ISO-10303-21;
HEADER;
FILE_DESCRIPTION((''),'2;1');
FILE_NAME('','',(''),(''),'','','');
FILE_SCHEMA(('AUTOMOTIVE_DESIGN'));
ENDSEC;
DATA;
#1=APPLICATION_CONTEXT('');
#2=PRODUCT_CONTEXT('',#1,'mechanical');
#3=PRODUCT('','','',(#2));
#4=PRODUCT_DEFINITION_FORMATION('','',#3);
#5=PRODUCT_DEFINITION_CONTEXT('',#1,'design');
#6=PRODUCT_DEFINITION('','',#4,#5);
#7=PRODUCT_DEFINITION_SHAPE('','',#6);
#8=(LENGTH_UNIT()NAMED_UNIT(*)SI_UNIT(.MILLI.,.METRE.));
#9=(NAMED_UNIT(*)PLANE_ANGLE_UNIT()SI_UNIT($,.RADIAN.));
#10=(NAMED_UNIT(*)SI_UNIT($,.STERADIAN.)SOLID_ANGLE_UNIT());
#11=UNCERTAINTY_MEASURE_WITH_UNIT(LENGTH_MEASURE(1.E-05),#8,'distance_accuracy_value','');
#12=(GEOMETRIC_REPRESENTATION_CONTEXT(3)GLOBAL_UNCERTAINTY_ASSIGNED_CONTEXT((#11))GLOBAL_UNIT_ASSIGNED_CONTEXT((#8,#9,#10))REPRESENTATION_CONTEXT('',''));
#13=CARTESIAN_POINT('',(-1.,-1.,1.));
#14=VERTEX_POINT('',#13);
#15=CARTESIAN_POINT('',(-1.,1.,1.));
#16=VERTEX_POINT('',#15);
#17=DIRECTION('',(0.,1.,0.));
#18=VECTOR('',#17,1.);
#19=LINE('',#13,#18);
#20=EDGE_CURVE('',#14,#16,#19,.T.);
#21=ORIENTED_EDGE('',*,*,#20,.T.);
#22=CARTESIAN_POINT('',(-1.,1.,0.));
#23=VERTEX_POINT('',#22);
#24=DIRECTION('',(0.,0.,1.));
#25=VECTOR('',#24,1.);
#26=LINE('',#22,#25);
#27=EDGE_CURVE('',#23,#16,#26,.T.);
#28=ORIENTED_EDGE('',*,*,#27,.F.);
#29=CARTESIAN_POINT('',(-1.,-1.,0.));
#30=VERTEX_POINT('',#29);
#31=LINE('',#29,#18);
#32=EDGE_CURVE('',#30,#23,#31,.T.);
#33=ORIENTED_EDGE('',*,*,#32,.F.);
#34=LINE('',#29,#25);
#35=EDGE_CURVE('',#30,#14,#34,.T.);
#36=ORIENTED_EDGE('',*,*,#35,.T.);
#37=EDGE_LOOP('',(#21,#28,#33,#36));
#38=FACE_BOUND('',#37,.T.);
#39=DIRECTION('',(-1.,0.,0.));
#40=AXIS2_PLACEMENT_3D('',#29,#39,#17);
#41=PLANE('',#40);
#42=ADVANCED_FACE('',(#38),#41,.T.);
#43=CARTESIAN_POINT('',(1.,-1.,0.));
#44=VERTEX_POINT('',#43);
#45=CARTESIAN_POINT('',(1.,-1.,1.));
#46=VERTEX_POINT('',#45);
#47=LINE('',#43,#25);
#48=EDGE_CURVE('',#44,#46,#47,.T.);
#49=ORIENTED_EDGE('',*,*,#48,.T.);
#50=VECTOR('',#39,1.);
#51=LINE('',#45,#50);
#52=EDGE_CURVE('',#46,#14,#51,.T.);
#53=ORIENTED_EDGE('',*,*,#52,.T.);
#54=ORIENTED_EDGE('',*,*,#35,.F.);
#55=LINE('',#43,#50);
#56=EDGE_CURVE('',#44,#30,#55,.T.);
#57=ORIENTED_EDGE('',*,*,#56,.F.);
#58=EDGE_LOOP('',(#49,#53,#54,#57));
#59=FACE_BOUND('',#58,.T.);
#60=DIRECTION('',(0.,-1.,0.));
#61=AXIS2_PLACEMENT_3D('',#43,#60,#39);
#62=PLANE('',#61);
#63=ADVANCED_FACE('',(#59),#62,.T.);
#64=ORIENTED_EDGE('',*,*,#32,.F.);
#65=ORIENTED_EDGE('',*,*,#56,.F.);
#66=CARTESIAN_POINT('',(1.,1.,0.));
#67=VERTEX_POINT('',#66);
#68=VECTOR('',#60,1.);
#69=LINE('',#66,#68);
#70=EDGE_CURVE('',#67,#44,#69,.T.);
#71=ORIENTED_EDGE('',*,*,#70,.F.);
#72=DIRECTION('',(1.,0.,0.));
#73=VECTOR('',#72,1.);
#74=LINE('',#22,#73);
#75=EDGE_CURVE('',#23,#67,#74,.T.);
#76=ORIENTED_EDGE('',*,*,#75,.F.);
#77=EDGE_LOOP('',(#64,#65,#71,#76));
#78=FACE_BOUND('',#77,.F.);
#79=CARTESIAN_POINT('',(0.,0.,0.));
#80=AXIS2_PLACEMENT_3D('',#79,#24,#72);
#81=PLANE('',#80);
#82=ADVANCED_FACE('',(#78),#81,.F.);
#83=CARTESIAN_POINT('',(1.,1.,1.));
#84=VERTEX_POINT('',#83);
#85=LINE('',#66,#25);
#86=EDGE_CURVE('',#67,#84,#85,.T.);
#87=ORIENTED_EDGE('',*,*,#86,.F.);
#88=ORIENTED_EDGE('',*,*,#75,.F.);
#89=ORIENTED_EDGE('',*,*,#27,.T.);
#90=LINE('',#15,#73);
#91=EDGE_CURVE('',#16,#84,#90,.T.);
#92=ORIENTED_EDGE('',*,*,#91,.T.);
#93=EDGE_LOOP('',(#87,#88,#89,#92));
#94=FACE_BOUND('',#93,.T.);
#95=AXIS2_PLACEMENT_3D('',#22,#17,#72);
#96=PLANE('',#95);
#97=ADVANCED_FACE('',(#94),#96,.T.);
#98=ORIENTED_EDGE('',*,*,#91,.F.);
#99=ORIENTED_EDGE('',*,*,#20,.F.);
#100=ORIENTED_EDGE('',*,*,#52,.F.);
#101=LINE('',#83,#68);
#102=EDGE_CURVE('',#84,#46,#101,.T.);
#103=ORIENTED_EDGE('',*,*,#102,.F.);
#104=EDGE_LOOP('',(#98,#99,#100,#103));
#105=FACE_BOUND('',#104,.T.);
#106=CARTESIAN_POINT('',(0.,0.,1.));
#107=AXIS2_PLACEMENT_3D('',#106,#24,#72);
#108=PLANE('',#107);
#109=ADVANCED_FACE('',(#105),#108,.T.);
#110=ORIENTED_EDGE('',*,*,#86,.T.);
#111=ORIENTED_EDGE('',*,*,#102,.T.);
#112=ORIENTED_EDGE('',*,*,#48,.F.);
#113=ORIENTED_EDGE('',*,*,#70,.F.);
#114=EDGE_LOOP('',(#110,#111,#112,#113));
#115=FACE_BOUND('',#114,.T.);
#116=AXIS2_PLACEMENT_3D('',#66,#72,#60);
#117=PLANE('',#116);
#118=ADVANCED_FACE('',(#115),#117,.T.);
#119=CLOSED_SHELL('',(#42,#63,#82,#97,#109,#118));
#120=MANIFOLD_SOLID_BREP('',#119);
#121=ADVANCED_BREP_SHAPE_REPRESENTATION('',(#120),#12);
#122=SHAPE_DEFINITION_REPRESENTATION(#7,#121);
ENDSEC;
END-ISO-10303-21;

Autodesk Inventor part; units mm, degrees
ref_plane "YZ Plane" through (0, 0, 0) normal (1, 0, 0) x (0, 1, 0)
ref_plane "XZ Plane" through (0, 0, 0) normal (0, 1, 0) x (-1, 0, 0)
ref_plane "XY Plane" through (0, 0, 0) normal (0, 0, 1) x (1, 0, 0)
sketch "FIDUCIAL-1X2_5, FIDUCIAL1X2_5_25" plane through (0, 0, 0) normal (0, 0, 1) x (1, 0, 0)
  line L0 (1, -1) -> (-1, -1)
  line L1 (-1, -1) -> (-1, 1)
  line L2 (-1, 1) -> (1, 1)
  line L3 (1, 1) -> (1, -1)
extrude "Extrusion1" add sketch "FIDUCIAL-1X2_5, FIDUCIAL1X2_5_25" along normal blind 1
properties part number "FIDUCIAL1X2_5"
